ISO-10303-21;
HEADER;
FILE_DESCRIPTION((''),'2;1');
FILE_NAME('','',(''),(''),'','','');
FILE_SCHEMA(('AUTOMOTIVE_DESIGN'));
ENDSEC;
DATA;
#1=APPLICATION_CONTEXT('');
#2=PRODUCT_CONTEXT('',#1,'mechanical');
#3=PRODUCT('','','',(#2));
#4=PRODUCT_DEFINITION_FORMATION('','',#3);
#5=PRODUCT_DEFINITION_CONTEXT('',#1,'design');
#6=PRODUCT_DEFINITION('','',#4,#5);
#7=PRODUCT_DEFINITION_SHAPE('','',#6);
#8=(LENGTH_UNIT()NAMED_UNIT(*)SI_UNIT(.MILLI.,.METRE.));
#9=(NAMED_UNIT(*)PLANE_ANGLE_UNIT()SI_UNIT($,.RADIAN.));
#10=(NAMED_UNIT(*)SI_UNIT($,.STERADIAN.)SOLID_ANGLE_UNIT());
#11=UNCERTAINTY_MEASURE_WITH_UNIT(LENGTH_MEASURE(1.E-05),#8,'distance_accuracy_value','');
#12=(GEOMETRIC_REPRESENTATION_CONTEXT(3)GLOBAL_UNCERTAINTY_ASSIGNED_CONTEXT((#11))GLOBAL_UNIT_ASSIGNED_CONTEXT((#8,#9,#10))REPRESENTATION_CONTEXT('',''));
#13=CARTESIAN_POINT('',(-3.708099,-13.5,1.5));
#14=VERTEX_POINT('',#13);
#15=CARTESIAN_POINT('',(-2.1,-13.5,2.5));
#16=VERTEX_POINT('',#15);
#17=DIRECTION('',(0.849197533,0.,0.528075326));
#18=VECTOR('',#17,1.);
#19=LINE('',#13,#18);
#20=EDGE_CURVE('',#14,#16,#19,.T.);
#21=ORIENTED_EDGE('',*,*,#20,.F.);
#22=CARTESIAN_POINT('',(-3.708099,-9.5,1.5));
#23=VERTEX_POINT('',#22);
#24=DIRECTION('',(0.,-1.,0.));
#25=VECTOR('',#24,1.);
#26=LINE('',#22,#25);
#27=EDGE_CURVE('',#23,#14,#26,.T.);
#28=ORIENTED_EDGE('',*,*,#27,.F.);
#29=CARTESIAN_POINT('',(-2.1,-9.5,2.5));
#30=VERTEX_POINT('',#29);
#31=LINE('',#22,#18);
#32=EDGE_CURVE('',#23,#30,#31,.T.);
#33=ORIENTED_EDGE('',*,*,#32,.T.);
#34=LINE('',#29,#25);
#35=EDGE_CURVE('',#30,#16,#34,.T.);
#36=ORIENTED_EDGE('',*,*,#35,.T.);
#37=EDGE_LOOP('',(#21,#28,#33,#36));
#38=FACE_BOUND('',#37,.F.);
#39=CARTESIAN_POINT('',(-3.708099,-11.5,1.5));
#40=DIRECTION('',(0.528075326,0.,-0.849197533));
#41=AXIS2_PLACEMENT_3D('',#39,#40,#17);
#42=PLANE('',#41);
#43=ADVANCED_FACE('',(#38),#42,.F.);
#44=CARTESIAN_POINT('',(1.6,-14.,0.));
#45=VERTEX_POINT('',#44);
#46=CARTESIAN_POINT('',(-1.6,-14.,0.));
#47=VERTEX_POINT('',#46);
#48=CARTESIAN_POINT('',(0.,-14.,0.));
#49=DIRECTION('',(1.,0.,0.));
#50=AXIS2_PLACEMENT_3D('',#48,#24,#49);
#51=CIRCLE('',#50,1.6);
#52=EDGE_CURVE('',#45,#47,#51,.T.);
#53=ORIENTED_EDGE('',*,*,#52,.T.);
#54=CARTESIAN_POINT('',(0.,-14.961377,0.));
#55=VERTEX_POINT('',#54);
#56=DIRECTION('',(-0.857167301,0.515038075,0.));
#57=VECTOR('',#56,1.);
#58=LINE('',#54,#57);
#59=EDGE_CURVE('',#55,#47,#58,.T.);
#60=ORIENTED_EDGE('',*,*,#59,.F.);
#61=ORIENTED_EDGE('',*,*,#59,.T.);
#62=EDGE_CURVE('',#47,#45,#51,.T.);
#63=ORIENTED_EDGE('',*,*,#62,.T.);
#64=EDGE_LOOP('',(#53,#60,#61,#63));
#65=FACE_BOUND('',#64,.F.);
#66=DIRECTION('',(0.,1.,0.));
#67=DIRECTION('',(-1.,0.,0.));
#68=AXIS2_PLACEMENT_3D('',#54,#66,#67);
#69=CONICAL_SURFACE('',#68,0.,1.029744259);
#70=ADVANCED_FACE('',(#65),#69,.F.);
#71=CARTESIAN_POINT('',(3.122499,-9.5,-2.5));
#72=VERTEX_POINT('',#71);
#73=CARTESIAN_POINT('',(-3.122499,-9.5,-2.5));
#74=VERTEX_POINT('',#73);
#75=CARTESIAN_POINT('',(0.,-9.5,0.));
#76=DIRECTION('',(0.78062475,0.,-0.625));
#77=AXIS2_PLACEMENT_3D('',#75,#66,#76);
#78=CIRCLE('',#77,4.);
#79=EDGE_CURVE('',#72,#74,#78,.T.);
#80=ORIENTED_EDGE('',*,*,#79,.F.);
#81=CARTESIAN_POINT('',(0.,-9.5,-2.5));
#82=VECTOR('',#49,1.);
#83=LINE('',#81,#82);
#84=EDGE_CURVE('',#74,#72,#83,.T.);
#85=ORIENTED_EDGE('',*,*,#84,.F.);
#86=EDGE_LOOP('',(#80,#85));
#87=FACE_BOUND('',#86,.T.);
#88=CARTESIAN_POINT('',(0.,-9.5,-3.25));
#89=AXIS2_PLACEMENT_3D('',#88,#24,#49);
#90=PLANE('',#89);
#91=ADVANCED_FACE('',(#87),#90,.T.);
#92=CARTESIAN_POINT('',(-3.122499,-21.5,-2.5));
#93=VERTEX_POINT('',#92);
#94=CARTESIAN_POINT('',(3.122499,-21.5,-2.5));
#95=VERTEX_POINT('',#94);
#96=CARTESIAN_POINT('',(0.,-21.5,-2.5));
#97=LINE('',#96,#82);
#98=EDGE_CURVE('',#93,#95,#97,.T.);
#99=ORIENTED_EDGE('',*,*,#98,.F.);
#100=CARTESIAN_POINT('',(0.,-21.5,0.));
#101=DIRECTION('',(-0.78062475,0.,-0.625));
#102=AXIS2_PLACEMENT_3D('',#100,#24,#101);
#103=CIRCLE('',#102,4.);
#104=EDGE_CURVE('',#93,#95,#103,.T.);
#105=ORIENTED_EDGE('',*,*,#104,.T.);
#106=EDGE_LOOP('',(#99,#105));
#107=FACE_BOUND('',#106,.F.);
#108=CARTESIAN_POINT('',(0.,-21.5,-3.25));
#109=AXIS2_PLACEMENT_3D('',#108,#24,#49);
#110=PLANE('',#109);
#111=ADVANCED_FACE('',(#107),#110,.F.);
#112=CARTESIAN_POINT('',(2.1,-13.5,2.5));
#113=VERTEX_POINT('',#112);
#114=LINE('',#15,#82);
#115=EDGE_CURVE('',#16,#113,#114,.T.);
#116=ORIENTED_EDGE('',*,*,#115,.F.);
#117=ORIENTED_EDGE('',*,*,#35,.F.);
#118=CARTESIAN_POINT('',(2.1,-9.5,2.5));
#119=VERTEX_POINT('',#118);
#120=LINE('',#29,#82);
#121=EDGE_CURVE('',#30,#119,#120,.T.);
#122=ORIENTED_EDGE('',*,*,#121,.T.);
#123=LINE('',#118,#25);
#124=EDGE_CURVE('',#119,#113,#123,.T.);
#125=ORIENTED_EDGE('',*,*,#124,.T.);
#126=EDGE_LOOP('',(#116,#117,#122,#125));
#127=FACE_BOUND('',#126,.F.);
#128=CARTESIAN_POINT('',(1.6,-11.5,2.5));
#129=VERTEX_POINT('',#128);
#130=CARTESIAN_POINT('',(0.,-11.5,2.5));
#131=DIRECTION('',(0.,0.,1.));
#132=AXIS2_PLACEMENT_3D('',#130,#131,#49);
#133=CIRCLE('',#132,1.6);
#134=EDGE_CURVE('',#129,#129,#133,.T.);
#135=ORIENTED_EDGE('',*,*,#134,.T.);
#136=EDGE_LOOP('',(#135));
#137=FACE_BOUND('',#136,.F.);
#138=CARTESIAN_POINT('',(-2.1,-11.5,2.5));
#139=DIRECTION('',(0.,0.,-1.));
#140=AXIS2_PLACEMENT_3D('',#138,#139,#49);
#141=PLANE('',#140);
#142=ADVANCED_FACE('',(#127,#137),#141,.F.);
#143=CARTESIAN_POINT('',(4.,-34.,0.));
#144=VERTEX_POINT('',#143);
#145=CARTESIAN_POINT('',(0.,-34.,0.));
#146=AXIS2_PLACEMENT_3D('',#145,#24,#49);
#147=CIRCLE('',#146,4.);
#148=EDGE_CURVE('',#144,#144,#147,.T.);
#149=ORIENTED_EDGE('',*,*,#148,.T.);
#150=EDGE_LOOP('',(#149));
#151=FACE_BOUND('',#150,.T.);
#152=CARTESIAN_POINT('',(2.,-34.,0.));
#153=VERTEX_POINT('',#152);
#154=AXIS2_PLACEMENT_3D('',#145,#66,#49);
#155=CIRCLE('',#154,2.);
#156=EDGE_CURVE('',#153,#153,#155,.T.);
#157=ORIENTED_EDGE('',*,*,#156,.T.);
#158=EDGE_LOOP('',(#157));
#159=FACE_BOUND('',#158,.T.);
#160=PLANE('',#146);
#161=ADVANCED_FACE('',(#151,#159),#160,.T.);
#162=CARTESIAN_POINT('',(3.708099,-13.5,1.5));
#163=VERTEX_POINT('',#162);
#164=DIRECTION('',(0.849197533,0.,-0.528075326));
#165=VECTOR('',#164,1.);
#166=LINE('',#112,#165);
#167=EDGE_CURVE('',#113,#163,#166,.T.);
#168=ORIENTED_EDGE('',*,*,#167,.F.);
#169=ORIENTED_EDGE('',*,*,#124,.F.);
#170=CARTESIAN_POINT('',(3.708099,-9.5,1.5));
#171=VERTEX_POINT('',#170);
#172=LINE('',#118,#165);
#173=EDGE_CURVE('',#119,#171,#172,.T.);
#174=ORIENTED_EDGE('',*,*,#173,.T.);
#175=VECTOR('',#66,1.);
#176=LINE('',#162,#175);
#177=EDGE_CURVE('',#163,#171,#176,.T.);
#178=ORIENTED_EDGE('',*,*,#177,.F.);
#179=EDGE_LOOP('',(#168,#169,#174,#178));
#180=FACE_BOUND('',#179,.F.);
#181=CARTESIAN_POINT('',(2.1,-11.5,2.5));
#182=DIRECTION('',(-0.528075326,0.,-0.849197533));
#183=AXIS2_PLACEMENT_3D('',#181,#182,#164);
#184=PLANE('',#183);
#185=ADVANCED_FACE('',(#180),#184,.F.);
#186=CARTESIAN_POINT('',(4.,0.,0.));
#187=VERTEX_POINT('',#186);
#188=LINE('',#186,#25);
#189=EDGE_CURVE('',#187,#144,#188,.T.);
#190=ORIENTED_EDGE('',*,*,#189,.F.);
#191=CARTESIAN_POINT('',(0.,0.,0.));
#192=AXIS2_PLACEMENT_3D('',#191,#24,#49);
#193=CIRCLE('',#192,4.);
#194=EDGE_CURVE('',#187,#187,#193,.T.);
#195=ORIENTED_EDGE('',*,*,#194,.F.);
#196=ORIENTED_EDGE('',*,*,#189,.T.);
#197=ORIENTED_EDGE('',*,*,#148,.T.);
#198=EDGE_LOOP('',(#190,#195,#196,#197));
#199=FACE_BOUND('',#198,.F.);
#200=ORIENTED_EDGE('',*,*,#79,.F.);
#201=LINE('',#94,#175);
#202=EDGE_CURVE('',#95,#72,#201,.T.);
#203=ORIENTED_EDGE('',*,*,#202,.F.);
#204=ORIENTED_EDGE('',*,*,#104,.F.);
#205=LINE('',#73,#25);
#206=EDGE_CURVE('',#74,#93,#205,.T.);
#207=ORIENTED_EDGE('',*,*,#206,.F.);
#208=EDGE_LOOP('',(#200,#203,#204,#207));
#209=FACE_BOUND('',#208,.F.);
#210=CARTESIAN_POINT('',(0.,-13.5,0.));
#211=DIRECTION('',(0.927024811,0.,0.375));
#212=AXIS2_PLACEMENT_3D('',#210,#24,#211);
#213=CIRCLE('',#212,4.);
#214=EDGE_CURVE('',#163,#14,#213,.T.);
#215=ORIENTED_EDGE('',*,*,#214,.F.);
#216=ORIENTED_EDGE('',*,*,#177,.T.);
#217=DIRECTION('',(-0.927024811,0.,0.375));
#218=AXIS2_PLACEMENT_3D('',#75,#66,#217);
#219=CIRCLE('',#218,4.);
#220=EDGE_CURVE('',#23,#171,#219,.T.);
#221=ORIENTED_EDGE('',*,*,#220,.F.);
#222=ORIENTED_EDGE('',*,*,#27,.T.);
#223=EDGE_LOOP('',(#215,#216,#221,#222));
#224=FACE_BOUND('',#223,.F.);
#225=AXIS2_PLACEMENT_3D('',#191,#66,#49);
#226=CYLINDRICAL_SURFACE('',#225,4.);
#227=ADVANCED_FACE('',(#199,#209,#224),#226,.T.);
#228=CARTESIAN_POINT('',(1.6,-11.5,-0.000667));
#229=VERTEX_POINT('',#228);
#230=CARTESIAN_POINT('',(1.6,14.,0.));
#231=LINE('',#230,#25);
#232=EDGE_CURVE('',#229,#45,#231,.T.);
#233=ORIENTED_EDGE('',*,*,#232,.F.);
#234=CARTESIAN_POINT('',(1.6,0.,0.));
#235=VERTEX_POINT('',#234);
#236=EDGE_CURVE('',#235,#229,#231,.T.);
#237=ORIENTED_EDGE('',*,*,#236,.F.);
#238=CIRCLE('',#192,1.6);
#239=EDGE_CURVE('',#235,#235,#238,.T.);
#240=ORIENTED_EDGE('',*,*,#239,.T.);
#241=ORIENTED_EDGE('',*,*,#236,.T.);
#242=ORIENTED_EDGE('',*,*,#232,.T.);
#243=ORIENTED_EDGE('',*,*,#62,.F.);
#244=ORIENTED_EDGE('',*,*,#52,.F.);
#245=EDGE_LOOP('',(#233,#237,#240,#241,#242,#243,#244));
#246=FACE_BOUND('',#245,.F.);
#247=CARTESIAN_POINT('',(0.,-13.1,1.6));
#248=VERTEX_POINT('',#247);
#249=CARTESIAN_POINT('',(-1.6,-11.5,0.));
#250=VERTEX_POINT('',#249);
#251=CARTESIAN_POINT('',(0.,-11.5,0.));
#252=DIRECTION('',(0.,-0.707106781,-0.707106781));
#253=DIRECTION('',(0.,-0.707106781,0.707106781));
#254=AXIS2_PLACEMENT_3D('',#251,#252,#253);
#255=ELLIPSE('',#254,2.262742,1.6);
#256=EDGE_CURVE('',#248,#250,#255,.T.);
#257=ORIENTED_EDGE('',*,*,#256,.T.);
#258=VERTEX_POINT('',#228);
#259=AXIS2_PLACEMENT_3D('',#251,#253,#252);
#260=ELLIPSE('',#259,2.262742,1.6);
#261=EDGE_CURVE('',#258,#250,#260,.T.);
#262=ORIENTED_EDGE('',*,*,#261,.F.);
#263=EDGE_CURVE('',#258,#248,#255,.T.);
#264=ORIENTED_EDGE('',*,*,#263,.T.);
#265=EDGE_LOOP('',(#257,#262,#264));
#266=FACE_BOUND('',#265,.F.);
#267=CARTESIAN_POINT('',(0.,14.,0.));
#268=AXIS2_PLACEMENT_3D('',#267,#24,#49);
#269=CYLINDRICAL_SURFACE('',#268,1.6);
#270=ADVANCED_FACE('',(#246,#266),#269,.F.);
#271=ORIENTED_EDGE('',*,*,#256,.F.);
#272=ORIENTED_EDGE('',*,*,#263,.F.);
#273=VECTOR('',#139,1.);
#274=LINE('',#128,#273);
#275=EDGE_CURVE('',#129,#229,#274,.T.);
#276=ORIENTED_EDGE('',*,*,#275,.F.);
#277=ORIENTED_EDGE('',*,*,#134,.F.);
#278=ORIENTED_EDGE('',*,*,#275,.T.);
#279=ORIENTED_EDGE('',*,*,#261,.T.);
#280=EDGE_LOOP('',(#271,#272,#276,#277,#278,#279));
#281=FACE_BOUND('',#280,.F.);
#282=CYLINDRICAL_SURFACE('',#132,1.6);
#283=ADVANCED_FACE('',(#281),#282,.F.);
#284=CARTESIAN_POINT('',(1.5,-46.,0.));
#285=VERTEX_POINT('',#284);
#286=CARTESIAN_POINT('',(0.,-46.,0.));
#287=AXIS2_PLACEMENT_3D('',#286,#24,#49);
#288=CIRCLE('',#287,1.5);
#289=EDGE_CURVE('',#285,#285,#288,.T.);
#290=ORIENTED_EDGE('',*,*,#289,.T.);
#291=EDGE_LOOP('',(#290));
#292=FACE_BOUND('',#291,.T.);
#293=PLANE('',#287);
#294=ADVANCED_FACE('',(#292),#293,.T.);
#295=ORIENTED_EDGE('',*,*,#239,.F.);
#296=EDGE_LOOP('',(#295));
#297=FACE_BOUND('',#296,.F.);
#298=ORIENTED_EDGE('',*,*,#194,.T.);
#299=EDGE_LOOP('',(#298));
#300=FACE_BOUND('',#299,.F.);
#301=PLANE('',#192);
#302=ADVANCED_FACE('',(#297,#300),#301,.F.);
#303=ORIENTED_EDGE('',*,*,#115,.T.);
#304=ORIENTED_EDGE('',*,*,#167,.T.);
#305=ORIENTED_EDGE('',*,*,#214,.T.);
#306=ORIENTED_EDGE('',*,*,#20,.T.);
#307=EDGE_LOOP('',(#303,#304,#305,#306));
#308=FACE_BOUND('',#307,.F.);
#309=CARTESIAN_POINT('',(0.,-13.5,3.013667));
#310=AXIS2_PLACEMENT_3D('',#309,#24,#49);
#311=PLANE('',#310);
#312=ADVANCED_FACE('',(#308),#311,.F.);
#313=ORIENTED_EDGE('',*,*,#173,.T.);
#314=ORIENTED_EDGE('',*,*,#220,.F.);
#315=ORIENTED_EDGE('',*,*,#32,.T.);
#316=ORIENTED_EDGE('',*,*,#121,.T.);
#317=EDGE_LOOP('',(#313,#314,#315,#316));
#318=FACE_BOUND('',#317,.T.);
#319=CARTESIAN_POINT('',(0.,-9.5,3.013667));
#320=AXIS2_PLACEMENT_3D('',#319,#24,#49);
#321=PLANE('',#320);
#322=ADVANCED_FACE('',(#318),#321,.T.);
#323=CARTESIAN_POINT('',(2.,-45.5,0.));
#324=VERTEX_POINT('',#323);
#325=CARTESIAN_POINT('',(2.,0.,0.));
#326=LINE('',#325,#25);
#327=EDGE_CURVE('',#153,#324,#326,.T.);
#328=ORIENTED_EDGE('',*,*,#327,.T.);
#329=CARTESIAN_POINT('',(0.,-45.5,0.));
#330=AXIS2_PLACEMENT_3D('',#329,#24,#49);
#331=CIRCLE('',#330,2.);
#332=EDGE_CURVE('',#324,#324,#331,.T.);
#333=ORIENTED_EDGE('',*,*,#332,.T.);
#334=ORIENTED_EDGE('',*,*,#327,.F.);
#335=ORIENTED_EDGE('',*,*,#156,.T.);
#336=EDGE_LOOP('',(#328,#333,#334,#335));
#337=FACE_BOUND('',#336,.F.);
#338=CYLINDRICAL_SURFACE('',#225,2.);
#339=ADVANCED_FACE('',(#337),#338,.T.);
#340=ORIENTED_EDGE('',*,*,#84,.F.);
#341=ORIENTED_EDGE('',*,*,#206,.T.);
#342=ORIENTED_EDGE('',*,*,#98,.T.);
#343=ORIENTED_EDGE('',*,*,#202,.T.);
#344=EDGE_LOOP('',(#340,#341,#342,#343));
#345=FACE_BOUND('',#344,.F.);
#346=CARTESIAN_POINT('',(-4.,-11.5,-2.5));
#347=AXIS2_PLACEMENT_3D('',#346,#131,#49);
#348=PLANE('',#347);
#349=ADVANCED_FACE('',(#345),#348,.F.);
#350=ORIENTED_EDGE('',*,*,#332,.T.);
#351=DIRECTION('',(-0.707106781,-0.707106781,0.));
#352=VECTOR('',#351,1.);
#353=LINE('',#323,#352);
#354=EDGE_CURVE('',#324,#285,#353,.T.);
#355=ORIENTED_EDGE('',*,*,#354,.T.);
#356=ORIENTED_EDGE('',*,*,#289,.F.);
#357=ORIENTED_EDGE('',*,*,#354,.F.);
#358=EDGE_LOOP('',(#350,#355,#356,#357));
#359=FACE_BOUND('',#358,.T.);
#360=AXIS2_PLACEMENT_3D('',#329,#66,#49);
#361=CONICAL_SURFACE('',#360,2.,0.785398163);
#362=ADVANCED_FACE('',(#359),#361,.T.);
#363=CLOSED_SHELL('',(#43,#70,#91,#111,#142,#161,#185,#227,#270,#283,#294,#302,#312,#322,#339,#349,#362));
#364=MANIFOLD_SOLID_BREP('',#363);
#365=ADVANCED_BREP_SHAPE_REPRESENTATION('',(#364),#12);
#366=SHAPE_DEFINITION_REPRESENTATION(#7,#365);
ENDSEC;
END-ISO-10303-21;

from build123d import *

# Parameters (mm, degrees)
F0_R          = 4
F0_R_2        = 2
F1_DEPTH      = 34
F2_DEPTH      = 46
F4_SIZE       = 0.5
F6_D          = 3.2
F6_DEPTH      = 14
F6_TIP        = 0.9613769904
F8_DEPTH      = 2
F7_W          = 8
F7_H          = 1.5
F9_DEPTH      = 10
F9_DEPTH_BACK = 2
F10_R         = 1.6
F11_DEPTH     = 2.501


with BuildPart() as f1:
    # F0 (on Front) → F1 (new body)
    with BuildSketch(Plane.XZ):
        Circle(F0_R)
        Circle(F0_R_2, mode=Mode.SUBTRACT)
        Circle(F0_R_2)
    extrude(amount=F1_DEPTH)

    # F0 (on Front) → F2 (join)
    with BuildSketch(Plane.XZ):
        Circle(F0_R_2)
    extrude(amount=F2_DEPTH)

    # F4
    f4_edges = [f1.edges().sort_by_distance(p)[0] for p in [
        (-2, -46, 0),
    ]]
    chamfer(f4_edges, length=F4_SIZE)

    # F6
    with Locations(Plane(origin=(0, 0, 0), x_dir=(-1, 0, 0), z_dir=(0, 1, 0))):
        with Locations((0, 0)):
            Hole(F6_D / 2, depth=F6_DEPTH)
            with Locations((0, 0, -(F6_DEPTH + F6_TIP / 2))):  # 118° drill point
                Cone(0, F6_D / 2, F6_TIP, mode=Mode.SUBTRACT)

    # F7 (on offset) → F8 (cut, symmetric)
    with BuildSketch(Plane.XZ.offset(11.5)):
        Polygon((-3.7080992435, 4), (-3.7080992435, 1.5), (-2.1, 2.5), (2.1, 2.5), (3.7080992435, 1.5), (3.7080992435, 4), align=None)
    extrude(amount=F8_DEPTH, both=True, mode=Mode.SUBTRACT)

    # F7 (on offset) → F9 (cut, two sides)
    with BuildSketch(Plane.XZ.offset(11.5)) as f9_sk:
        with Locations((0, -3.25)):
            Rectangle(F7_W, F7_H)
    extrude(amount=F9_DEPTH, mode=Mode.SUBTRACT)
    extrude(f9_sk.sketch, amount=-F9_DEPTH_BACK, mode=Mode.SUBTRACT)

    # F10 (on face) → F11 (cut, through all)
    with BuildSketch(Plane.XY.offset(2.5)):
        with Locations((0, -11.5)):
            Circle(F10_R)
    extrude(amount=-F11_DEPTH, mode=Mode.SUBTRACT)


solid = f1.part
